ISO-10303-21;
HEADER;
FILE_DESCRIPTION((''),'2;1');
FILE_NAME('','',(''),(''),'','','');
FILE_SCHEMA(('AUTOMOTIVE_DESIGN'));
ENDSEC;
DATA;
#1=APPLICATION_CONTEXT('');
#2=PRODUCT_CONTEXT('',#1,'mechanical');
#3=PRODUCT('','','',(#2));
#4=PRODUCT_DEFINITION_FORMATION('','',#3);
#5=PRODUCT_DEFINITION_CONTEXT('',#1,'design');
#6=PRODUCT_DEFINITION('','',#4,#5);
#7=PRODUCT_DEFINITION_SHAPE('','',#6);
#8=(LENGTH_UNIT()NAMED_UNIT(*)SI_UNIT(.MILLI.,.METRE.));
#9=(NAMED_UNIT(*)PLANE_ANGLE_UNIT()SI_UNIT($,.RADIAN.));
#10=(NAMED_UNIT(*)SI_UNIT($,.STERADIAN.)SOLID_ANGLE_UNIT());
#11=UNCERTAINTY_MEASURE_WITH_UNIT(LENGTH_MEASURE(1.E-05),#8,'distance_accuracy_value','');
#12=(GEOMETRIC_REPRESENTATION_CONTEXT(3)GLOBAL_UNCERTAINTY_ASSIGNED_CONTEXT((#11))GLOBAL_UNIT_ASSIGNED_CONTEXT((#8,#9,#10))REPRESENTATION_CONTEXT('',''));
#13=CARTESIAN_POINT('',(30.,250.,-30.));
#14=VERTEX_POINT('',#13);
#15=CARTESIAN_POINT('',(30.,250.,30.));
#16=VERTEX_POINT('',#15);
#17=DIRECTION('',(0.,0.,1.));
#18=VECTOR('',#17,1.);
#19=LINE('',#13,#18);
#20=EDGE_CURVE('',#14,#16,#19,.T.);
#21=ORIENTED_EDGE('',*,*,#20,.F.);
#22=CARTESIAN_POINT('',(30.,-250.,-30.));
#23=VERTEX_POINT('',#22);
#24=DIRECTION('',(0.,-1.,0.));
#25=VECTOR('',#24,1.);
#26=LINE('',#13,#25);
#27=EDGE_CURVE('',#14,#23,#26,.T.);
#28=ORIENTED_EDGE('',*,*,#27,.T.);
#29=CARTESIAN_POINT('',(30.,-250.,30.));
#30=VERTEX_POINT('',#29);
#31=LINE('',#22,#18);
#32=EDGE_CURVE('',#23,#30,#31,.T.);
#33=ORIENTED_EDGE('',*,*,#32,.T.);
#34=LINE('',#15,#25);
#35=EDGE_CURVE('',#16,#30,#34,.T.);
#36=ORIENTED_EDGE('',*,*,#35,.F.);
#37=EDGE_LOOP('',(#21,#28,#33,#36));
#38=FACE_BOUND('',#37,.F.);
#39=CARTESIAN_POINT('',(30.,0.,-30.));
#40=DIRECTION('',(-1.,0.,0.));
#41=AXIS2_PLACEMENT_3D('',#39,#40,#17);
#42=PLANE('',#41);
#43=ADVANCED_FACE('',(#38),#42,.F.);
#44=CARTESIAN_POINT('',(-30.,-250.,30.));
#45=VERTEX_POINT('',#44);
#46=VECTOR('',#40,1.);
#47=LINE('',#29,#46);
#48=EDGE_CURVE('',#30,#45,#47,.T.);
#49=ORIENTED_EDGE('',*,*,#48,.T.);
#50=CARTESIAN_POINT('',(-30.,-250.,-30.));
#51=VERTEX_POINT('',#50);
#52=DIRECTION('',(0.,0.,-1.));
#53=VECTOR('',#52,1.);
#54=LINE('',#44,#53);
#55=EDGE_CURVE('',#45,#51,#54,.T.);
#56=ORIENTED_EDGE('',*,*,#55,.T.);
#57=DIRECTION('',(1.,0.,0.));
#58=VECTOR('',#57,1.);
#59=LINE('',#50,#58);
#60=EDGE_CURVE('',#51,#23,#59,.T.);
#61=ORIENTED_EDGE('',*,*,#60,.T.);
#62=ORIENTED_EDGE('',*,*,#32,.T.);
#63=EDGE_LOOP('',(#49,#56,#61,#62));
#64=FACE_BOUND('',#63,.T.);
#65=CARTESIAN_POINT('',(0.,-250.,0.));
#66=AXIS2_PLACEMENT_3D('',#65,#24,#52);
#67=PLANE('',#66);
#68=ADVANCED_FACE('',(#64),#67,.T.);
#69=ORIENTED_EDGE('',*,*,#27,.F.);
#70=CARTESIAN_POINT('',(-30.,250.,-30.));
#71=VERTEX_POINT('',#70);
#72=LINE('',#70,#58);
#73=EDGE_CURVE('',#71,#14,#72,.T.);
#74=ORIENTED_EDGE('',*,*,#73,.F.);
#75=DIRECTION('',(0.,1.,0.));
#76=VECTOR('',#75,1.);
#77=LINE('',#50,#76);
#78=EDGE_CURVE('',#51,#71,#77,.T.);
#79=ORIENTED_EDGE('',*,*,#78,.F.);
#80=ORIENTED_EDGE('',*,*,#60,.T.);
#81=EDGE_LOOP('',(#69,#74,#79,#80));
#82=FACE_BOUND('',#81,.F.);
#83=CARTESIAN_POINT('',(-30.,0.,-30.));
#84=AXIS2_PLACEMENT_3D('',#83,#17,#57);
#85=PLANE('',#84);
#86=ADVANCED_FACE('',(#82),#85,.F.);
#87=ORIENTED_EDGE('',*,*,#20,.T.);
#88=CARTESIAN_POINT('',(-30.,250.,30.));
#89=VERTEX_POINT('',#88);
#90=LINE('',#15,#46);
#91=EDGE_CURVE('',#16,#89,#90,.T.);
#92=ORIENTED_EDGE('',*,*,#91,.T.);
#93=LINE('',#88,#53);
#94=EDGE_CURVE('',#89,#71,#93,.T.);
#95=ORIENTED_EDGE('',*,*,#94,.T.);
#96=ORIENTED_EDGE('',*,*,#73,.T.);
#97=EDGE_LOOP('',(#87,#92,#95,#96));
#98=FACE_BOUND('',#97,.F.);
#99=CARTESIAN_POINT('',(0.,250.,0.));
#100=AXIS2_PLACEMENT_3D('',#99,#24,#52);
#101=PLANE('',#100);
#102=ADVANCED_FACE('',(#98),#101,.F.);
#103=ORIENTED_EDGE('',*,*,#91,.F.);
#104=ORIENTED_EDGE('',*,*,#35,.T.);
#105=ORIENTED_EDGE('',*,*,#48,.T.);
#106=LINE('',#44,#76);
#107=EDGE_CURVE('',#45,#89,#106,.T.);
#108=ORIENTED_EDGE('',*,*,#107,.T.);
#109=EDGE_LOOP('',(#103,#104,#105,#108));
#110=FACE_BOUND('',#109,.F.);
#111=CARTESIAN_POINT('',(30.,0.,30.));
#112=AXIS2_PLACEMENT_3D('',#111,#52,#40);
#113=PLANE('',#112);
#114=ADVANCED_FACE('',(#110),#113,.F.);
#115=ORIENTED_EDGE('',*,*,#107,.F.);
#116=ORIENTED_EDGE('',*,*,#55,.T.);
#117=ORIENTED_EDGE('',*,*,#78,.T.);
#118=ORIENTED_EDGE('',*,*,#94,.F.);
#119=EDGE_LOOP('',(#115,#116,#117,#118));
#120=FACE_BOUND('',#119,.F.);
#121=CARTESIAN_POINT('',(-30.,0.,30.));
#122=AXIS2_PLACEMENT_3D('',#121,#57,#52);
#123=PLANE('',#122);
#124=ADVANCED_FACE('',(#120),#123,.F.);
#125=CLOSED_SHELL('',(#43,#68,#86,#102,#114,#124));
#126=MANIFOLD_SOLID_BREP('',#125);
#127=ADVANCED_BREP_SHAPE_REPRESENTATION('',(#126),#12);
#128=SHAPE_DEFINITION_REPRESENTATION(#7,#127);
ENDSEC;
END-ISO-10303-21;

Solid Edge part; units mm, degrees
sketch "Sketch1" plane through (0, 0, 0) normal (0, -1, 0) x (1, 0, 0)
  line L0 (-30, -30) -> (30, -30)
  line L1 (30, -30) -> (30, 30)
  line L2 (30, 30) -> (-30, 30)
  line L3 (-30, 30) -> (-30, -30)
extrude "Protrusion1" add sketch "Sketch1" along normal mid plane 500
